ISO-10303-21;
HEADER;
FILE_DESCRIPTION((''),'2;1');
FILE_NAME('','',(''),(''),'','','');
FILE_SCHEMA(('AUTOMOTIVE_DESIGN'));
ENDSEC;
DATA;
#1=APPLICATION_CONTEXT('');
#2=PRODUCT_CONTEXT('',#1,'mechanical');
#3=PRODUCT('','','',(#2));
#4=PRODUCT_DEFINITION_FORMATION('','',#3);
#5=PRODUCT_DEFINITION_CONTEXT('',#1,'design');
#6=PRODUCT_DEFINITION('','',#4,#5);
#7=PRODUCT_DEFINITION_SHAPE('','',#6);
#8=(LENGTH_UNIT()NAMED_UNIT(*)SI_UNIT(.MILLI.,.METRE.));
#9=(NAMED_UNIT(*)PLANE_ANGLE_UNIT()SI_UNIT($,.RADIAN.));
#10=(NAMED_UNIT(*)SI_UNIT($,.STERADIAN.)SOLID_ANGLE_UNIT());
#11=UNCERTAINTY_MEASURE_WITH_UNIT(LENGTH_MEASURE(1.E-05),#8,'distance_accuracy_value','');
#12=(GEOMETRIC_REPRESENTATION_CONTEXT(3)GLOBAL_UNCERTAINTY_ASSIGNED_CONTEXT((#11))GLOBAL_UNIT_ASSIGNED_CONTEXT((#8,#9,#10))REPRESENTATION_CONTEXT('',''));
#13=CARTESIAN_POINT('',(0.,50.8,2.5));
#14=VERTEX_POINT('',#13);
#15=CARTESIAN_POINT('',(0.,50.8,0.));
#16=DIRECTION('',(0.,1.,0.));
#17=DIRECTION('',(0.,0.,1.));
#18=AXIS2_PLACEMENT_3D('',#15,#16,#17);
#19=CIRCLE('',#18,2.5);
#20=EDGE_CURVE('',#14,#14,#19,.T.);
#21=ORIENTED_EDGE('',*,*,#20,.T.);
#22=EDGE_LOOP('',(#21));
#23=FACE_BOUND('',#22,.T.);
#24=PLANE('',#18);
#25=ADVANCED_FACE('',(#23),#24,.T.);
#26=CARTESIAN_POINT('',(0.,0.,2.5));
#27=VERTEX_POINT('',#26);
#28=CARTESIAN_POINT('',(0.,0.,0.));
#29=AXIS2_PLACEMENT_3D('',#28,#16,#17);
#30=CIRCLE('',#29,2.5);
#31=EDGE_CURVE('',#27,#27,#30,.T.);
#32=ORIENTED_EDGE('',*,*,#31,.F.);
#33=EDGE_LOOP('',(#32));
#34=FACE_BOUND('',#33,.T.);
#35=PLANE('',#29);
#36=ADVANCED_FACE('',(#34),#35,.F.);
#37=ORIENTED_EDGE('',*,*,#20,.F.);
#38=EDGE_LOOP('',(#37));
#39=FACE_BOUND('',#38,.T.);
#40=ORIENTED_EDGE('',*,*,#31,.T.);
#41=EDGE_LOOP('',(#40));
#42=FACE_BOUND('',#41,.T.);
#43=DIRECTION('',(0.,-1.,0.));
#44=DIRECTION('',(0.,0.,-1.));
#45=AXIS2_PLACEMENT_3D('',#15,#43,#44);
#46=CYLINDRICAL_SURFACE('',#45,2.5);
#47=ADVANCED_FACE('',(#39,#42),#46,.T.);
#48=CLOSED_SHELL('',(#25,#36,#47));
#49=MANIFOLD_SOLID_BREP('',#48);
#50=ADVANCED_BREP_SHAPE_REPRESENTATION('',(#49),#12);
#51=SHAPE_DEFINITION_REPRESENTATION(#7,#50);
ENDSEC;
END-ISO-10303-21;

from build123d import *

# Parameters (mm, degrees)
SKETCH1_R           = 2.5
BOSS_EXTRUDE1_DEPTH = 50.8


with BuildPart() as part:
    # Sketch1 → Boss-Extrude1 (new body)
    with BuildSketch(Plane(origin=(0, 0, 0), x_dir=(1, 0, 0), z_dir=(0, 1, 0))):
        Circle(SKETCH1_R)
    extrude(amount=BOSS_EXTRUDE1_DEPTH)


solid = part.part
